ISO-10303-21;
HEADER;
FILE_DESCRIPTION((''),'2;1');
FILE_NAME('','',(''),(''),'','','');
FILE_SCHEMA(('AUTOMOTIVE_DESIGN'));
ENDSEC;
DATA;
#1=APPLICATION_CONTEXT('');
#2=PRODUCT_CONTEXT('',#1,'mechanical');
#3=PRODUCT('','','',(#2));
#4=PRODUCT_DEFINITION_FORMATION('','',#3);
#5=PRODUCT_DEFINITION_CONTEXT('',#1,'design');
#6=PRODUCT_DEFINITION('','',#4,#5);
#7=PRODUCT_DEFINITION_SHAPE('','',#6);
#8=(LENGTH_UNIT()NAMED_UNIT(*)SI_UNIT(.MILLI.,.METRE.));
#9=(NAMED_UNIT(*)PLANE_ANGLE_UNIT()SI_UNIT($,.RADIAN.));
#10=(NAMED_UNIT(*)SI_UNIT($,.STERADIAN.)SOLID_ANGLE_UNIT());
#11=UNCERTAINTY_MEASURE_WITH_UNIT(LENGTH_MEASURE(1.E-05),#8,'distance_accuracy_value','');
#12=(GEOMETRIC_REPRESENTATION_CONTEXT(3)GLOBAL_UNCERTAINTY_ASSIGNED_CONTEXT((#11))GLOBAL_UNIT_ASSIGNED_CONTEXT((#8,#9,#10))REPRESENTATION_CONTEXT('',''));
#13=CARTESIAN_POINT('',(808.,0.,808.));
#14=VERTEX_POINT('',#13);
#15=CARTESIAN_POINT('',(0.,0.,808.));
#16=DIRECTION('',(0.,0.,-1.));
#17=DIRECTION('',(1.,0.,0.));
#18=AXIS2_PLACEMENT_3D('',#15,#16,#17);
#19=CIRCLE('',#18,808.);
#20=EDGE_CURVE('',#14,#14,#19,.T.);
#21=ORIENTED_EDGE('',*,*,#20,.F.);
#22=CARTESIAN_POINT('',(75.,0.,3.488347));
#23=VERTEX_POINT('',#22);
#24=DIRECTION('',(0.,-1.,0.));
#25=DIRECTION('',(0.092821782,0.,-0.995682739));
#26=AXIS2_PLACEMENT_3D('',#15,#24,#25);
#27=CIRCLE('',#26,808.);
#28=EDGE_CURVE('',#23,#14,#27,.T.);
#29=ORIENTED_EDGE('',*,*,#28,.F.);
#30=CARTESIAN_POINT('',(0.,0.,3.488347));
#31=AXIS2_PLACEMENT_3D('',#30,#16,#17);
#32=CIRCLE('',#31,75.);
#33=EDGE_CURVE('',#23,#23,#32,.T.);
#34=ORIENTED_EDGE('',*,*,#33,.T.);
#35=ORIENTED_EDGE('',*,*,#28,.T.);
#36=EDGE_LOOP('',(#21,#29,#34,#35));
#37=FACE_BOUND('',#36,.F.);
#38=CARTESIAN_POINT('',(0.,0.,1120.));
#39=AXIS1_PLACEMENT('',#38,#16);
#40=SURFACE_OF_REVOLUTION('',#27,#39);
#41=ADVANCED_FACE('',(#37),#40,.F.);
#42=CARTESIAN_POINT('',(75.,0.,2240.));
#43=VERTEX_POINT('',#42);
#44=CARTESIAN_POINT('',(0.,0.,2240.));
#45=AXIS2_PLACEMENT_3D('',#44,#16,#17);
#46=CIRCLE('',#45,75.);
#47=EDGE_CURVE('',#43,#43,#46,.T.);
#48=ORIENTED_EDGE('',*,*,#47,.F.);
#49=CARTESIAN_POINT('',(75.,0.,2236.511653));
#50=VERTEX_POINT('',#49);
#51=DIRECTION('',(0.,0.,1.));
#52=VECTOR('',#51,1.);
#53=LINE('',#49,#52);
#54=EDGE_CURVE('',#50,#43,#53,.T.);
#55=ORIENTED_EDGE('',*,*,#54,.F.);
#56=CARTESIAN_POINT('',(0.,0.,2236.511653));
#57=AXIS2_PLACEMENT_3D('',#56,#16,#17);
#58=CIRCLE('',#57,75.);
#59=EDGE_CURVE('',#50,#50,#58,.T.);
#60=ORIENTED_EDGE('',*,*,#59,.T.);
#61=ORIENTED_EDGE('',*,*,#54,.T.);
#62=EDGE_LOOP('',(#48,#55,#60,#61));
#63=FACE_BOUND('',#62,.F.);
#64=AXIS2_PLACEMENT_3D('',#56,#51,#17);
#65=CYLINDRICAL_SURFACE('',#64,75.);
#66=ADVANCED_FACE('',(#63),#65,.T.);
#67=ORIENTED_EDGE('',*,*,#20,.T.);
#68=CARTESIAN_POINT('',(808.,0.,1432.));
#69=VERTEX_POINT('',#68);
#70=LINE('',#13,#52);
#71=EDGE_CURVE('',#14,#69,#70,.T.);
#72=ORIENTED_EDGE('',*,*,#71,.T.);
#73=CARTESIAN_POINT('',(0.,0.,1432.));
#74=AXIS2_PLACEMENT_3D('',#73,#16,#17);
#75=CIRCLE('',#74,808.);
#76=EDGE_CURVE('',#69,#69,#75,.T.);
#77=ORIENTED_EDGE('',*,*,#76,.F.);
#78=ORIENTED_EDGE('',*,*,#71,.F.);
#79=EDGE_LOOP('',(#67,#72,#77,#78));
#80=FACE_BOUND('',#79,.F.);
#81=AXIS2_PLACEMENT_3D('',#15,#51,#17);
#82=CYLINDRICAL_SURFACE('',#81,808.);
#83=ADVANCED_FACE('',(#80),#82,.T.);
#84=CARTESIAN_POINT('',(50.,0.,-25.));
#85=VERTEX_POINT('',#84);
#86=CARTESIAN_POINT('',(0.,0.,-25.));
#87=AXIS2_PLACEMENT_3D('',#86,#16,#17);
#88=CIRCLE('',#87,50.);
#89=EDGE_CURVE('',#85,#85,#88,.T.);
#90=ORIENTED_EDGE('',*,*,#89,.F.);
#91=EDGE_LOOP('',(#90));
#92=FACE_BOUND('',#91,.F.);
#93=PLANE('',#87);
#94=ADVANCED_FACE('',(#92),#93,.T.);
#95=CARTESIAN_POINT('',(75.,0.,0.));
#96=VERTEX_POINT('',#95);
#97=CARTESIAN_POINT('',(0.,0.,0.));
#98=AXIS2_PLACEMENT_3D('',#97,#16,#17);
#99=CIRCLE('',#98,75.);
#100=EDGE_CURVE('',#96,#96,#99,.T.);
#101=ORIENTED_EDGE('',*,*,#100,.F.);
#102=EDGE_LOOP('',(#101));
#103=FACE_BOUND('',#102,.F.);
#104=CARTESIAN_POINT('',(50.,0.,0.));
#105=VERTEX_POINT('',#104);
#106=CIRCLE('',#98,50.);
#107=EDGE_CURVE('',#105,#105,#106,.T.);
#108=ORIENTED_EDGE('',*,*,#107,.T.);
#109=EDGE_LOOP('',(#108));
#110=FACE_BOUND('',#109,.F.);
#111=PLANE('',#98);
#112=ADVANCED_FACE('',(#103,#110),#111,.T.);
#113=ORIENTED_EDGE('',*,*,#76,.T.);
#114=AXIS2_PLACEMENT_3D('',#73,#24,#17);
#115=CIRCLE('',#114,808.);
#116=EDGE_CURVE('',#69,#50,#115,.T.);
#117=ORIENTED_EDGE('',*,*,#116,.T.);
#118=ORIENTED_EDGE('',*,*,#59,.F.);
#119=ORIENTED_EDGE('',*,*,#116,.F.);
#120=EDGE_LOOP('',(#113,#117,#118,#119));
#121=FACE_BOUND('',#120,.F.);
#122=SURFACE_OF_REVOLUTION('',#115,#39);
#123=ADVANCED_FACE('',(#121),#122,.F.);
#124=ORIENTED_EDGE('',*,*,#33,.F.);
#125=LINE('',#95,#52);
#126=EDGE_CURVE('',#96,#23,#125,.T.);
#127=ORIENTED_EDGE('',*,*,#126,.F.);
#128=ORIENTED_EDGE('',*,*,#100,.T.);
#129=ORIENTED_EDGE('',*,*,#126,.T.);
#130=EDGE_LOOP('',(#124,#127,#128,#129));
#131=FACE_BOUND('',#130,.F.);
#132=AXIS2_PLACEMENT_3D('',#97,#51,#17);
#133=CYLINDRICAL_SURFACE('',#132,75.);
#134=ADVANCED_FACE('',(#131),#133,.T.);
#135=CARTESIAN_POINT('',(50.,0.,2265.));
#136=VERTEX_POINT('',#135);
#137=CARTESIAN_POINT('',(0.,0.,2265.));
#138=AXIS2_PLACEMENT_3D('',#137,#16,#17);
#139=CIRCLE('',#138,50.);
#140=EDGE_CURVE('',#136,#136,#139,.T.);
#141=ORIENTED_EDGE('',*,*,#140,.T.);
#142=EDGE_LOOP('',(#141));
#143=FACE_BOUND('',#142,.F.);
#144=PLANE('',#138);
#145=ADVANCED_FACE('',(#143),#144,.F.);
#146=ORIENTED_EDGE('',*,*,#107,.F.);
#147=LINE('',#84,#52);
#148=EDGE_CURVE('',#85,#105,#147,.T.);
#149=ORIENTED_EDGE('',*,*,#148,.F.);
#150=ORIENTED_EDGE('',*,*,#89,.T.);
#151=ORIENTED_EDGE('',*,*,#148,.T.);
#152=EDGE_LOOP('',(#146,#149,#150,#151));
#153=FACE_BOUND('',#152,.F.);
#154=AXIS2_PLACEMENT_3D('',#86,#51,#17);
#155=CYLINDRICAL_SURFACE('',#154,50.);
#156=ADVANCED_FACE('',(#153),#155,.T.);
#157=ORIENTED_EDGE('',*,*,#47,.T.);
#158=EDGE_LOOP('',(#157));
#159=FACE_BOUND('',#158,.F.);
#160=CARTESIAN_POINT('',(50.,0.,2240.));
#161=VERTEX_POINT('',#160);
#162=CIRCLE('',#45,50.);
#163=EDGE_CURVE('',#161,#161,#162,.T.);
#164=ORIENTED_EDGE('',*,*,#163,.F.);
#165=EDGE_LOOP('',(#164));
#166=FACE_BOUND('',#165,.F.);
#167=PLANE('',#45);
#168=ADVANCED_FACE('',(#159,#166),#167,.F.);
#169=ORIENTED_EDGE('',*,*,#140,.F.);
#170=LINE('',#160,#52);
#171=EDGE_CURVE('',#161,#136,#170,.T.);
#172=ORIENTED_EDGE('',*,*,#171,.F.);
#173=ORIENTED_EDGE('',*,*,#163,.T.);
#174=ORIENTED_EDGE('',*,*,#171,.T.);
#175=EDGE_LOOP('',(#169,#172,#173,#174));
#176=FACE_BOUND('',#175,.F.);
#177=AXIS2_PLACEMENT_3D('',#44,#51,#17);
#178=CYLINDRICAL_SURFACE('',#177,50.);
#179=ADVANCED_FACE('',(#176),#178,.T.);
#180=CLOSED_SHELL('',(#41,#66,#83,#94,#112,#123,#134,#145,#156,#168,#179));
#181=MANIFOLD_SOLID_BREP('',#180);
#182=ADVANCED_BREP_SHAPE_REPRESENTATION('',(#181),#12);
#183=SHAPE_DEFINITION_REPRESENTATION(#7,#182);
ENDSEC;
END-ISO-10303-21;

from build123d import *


with BuildPart() as f1:
    # F0 (on Front) → F1 (revolve)
    with BuildSketch(Plane.XZ):
        with BuildLine():
            Line((75, 0), (75, 3.488347))
            ThreePointArc((75, 3.488347), (597.270458, 263.819883), (808, 808))
            Line((808, 808), (808, 1432))
            ThreePointArc((808, 1432), (597.270458, 1976.180117), (75, 2236.511653))
            Line((75, 2236.511653), (75, 2240))
            Line((75, 2240), (50, 2240))
            Line((50, 2240), (50, 2265))
            Line((50, 2265), (0, 2265))
            Line((0, 2265), (0, 2240))
            Line((0, 2240), (0, 0))
            Line((0, 0), (0, -25))
            Line((0, -25), (50, -25))
            Line((50, -25), (50, 0))
            Line((50, 0), (75, 0))
        make_face()
    revolve(axis=Axis((0, 0, 1120), (0, 0, -1)))


solid = f1.part
